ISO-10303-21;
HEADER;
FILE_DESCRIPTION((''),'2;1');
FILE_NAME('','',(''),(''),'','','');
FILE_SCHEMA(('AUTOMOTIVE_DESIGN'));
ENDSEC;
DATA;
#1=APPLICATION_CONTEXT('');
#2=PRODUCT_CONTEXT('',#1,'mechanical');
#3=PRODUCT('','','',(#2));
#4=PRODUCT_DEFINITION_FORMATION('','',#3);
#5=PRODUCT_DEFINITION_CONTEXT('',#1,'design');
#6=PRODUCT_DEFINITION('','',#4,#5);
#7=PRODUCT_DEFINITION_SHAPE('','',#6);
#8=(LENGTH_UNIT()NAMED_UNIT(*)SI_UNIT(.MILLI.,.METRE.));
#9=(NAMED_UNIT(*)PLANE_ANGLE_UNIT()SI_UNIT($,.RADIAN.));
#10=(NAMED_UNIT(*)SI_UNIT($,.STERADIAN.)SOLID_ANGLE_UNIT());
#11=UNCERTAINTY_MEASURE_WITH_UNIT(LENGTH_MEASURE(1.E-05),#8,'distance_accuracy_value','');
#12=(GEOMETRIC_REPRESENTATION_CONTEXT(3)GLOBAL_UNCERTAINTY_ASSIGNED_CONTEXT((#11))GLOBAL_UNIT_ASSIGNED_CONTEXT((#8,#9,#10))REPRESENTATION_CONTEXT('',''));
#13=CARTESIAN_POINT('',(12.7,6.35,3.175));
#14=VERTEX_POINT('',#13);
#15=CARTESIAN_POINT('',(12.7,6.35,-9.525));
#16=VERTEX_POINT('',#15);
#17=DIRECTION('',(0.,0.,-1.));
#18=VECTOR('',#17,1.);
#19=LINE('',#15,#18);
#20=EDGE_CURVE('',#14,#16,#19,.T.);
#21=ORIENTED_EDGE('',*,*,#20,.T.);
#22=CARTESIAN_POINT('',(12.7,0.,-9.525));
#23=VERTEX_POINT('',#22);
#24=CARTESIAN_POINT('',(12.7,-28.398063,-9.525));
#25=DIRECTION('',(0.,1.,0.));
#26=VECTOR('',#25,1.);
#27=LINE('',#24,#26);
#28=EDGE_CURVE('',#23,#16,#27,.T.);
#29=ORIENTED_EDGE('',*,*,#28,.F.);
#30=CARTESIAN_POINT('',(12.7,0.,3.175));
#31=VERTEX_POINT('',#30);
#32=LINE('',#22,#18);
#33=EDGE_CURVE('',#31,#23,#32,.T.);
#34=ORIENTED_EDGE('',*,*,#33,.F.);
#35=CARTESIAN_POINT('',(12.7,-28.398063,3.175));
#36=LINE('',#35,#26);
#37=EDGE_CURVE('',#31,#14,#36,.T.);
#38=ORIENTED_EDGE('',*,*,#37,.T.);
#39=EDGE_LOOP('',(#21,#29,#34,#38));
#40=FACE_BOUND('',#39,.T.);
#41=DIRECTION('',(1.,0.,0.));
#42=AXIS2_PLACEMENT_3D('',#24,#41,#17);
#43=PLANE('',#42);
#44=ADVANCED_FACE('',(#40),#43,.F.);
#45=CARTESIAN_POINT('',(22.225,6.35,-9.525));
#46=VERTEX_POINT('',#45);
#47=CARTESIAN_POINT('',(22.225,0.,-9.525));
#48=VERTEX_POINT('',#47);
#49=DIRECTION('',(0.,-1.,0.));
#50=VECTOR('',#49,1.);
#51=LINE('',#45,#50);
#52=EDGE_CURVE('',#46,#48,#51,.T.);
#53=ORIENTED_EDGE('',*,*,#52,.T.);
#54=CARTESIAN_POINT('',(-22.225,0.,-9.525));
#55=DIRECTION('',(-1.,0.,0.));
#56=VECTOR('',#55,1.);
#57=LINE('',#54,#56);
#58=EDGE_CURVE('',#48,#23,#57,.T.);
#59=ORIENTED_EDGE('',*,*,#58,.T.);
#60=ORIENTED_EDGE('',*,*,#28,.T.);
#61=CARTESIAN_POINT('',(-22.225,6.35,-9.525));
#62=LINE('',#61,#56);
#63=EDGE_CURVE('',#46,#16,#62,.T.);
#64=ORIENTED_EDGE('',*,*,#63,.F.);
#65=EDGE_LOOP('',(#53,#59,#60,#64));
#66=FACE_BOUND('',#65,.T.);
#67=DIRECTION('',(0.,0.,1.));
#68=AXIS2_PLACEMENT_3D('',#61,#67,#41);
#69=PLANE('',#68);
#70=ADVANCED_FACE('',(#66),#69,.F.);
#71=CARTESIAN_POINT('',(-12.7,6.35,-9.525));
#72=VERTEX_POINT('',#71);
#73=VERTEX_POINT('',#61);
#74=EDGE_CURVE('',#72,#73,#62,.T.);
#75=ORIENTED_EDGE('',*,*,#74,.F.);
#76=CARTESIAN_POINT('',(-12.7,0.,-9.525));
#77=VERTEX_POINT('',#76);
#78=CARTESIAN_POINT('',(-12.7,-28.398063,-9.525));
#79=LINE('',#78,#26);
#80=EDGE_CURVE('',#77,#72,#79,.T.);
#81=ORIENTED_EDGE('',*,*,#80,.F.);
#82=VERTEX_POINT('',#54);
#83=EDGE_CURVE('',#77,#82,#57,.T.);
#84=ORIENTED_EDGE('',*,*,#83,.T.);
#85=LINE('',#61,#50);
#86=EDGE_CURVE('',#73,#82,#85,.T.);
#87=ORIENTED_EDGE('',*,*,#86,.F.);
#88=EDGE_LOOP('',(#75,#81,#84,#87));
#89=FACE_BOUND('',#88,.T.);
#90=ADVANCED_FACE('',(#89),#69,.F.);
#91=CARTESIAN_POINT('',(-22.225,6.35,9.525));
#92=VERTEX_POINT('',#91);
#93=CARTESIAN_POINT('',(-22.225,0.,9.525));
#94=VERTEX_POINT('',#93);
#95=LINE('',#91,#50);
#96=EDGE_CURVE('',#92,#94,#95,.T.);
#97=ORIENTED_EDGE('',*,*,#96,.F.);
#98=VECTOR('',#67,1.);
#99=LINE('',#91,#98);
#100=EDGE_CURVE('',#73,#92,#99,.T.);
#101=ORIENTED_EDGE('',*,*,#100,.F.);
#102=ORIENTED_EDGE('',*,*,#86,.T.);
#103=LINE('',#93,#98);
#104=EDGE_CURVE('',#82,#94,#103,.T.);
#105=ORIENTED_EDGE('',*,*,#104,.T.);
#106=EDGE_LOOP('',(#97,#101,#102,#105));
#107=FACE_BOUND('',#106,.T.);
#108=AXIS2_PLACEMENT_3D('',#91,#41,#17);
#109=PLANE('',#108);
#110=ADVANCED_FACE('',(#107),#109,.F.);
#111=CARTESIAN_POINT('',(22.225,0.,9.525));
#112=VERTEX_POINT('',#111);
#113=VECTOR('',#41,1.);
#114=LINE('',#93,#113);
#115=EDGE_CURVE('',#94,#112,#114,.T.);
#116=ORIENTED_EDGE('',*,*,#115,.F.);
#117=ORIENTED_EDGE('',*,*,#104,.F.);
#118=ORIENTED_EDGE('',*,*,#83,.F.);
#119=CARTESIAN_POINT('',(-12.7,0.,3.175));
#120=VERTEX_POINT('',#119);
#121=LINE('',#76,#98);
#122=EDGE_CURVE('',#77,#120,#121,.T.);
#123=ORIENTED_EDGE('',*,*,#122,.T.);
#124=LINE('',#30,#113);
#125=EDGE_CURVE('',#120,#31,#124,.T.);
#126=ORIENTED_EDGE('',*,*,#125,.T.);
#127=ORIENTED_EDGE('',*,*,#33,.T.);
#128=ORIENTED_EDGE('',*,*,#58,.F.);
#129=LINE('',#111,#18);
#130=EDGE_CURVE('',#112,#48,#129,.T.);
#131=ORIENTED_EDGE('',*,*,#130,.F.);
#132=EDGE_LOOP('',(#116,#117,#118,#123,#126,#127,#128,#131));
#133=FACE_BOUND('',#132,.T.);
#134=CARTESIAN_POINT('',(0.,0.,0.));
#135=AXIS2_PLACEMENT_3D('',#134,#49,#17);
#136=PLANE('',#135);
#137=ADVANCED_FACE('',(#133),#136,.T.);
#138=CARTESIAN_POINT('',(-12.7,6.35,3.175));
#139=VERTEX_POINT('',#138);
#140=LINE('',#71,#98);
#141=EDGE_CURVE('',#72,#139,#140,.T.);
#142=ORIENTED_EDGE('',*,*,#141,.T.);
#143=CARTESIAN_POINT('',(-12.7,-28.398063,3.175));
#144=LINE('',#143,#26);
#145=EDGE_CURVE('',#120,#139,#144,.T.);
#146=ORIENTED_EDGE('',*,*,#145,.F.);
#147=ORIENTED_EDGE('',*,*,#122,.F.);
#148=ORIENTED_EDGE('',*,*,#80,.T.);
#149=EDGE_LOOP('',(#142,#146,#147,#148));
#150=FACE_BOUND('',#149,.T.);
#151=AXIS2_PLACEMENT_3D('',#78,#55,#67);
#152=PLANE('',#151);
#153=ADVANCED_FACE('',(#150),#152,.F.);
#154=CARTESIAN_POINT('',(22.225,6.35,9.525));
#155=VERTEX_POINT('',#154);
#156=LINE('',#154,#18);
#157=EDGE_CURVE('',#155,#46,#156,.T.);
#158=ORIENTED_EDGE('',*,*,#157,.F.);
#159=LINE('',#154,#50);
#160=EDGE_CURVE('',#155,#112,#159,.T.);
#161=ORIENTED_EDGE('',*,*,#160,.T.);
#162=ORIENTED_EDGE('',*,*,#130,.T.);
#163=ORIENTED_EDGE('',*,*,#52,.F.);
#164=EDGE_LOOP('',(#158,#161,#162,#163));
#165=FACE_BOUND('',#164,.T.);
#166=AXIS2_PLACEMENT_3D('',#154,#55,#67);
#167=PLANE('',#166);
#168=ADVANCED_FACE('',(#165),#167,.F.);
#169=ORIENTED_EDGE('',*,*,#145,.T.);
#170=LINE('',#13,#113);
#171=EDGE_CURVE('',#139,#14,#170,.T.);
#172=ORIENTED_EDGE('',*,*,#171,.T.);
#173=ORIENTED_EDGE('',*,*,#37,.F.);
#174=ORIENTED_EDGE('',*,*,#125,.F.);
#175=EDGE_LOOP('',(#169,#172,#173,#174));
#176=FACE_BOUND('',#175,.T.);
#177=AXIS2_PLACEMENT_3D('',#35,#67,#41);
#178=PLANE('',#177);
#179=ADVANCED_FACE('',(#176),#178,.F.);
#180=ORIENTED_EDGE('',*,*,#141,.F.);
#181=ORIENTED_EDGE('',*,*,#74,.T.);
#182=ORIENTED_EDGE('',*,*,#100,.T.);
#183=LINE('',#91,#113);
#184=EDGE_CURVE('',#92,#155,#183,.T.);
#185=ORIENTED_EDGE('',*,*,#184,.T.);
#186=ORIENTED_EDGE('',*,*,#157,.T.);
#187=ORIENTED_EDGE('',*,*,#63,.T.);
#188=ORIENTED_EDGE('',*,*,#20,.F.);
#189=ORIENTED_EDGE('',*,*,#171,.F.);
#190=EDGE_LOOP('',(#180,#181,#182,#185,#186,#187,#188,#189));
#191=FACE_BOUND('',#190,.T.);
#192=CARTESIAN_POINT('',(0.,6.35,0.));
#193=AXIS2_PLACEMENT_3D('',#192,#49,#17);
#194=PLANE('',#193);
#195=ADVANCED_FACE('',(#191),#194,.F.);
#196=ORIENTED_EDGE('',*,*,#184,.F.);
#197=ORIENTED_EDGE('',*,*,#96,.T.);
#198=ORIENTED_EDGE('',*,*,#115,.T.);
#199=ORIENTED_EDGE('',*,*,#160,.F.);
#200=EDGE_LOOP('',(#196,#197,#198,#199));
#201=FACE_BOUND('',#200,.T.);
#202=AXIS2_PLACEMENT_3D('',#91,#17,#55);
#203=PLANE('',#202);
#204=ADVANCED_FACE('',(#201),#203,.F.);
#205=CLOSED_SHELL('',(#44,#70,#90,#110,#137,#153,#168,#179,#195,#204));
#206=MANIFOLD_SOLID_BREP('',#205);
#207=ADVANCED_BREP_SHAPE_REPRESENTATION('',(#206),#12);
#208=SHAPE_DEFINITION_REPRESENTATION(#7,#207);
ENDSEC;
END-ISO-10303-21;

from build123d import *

# Parameters (mm, degrees)
SKETCH1_W           = 44.45
SKETCH1_H           = 19.05
BOSS_EXTRUDE1_DEPTH = 6.35
SKETCH2_W           = 25.4
SKETCH2_H           = 12.7
CUT_EXTRUDE1_DEPTH  = 6.35


with BuildPart() as part:
    # Sketch1 → Boss-Extrude1 (new body)
    with BuildSketch(Plane(origin=(0, 0, 0), x_dir=(1, 0, 0), z_dir=(0, 1, 0))):
        Rectangle(SKETCH1_W, SKETCH1_H)
    extrude(amount=BOSS_EXTRUDE1_DEPTH)

    # Sketch2 → Cut-Extrude1 (cut)
    with BuildSketch(Plane(origin=(0, 6.35, 0), x_dir=(1, 0, 0), z_dir=(0, 1, 0))):
        with Locations((0, 3.175)):
            Rectangle(SKETCH2_W, SKETCH2_H)
    extrude(amount=-CUT_EXTRUDE1_DEPTH, mode=Mode.SUBTRACT)


solid = part.part
